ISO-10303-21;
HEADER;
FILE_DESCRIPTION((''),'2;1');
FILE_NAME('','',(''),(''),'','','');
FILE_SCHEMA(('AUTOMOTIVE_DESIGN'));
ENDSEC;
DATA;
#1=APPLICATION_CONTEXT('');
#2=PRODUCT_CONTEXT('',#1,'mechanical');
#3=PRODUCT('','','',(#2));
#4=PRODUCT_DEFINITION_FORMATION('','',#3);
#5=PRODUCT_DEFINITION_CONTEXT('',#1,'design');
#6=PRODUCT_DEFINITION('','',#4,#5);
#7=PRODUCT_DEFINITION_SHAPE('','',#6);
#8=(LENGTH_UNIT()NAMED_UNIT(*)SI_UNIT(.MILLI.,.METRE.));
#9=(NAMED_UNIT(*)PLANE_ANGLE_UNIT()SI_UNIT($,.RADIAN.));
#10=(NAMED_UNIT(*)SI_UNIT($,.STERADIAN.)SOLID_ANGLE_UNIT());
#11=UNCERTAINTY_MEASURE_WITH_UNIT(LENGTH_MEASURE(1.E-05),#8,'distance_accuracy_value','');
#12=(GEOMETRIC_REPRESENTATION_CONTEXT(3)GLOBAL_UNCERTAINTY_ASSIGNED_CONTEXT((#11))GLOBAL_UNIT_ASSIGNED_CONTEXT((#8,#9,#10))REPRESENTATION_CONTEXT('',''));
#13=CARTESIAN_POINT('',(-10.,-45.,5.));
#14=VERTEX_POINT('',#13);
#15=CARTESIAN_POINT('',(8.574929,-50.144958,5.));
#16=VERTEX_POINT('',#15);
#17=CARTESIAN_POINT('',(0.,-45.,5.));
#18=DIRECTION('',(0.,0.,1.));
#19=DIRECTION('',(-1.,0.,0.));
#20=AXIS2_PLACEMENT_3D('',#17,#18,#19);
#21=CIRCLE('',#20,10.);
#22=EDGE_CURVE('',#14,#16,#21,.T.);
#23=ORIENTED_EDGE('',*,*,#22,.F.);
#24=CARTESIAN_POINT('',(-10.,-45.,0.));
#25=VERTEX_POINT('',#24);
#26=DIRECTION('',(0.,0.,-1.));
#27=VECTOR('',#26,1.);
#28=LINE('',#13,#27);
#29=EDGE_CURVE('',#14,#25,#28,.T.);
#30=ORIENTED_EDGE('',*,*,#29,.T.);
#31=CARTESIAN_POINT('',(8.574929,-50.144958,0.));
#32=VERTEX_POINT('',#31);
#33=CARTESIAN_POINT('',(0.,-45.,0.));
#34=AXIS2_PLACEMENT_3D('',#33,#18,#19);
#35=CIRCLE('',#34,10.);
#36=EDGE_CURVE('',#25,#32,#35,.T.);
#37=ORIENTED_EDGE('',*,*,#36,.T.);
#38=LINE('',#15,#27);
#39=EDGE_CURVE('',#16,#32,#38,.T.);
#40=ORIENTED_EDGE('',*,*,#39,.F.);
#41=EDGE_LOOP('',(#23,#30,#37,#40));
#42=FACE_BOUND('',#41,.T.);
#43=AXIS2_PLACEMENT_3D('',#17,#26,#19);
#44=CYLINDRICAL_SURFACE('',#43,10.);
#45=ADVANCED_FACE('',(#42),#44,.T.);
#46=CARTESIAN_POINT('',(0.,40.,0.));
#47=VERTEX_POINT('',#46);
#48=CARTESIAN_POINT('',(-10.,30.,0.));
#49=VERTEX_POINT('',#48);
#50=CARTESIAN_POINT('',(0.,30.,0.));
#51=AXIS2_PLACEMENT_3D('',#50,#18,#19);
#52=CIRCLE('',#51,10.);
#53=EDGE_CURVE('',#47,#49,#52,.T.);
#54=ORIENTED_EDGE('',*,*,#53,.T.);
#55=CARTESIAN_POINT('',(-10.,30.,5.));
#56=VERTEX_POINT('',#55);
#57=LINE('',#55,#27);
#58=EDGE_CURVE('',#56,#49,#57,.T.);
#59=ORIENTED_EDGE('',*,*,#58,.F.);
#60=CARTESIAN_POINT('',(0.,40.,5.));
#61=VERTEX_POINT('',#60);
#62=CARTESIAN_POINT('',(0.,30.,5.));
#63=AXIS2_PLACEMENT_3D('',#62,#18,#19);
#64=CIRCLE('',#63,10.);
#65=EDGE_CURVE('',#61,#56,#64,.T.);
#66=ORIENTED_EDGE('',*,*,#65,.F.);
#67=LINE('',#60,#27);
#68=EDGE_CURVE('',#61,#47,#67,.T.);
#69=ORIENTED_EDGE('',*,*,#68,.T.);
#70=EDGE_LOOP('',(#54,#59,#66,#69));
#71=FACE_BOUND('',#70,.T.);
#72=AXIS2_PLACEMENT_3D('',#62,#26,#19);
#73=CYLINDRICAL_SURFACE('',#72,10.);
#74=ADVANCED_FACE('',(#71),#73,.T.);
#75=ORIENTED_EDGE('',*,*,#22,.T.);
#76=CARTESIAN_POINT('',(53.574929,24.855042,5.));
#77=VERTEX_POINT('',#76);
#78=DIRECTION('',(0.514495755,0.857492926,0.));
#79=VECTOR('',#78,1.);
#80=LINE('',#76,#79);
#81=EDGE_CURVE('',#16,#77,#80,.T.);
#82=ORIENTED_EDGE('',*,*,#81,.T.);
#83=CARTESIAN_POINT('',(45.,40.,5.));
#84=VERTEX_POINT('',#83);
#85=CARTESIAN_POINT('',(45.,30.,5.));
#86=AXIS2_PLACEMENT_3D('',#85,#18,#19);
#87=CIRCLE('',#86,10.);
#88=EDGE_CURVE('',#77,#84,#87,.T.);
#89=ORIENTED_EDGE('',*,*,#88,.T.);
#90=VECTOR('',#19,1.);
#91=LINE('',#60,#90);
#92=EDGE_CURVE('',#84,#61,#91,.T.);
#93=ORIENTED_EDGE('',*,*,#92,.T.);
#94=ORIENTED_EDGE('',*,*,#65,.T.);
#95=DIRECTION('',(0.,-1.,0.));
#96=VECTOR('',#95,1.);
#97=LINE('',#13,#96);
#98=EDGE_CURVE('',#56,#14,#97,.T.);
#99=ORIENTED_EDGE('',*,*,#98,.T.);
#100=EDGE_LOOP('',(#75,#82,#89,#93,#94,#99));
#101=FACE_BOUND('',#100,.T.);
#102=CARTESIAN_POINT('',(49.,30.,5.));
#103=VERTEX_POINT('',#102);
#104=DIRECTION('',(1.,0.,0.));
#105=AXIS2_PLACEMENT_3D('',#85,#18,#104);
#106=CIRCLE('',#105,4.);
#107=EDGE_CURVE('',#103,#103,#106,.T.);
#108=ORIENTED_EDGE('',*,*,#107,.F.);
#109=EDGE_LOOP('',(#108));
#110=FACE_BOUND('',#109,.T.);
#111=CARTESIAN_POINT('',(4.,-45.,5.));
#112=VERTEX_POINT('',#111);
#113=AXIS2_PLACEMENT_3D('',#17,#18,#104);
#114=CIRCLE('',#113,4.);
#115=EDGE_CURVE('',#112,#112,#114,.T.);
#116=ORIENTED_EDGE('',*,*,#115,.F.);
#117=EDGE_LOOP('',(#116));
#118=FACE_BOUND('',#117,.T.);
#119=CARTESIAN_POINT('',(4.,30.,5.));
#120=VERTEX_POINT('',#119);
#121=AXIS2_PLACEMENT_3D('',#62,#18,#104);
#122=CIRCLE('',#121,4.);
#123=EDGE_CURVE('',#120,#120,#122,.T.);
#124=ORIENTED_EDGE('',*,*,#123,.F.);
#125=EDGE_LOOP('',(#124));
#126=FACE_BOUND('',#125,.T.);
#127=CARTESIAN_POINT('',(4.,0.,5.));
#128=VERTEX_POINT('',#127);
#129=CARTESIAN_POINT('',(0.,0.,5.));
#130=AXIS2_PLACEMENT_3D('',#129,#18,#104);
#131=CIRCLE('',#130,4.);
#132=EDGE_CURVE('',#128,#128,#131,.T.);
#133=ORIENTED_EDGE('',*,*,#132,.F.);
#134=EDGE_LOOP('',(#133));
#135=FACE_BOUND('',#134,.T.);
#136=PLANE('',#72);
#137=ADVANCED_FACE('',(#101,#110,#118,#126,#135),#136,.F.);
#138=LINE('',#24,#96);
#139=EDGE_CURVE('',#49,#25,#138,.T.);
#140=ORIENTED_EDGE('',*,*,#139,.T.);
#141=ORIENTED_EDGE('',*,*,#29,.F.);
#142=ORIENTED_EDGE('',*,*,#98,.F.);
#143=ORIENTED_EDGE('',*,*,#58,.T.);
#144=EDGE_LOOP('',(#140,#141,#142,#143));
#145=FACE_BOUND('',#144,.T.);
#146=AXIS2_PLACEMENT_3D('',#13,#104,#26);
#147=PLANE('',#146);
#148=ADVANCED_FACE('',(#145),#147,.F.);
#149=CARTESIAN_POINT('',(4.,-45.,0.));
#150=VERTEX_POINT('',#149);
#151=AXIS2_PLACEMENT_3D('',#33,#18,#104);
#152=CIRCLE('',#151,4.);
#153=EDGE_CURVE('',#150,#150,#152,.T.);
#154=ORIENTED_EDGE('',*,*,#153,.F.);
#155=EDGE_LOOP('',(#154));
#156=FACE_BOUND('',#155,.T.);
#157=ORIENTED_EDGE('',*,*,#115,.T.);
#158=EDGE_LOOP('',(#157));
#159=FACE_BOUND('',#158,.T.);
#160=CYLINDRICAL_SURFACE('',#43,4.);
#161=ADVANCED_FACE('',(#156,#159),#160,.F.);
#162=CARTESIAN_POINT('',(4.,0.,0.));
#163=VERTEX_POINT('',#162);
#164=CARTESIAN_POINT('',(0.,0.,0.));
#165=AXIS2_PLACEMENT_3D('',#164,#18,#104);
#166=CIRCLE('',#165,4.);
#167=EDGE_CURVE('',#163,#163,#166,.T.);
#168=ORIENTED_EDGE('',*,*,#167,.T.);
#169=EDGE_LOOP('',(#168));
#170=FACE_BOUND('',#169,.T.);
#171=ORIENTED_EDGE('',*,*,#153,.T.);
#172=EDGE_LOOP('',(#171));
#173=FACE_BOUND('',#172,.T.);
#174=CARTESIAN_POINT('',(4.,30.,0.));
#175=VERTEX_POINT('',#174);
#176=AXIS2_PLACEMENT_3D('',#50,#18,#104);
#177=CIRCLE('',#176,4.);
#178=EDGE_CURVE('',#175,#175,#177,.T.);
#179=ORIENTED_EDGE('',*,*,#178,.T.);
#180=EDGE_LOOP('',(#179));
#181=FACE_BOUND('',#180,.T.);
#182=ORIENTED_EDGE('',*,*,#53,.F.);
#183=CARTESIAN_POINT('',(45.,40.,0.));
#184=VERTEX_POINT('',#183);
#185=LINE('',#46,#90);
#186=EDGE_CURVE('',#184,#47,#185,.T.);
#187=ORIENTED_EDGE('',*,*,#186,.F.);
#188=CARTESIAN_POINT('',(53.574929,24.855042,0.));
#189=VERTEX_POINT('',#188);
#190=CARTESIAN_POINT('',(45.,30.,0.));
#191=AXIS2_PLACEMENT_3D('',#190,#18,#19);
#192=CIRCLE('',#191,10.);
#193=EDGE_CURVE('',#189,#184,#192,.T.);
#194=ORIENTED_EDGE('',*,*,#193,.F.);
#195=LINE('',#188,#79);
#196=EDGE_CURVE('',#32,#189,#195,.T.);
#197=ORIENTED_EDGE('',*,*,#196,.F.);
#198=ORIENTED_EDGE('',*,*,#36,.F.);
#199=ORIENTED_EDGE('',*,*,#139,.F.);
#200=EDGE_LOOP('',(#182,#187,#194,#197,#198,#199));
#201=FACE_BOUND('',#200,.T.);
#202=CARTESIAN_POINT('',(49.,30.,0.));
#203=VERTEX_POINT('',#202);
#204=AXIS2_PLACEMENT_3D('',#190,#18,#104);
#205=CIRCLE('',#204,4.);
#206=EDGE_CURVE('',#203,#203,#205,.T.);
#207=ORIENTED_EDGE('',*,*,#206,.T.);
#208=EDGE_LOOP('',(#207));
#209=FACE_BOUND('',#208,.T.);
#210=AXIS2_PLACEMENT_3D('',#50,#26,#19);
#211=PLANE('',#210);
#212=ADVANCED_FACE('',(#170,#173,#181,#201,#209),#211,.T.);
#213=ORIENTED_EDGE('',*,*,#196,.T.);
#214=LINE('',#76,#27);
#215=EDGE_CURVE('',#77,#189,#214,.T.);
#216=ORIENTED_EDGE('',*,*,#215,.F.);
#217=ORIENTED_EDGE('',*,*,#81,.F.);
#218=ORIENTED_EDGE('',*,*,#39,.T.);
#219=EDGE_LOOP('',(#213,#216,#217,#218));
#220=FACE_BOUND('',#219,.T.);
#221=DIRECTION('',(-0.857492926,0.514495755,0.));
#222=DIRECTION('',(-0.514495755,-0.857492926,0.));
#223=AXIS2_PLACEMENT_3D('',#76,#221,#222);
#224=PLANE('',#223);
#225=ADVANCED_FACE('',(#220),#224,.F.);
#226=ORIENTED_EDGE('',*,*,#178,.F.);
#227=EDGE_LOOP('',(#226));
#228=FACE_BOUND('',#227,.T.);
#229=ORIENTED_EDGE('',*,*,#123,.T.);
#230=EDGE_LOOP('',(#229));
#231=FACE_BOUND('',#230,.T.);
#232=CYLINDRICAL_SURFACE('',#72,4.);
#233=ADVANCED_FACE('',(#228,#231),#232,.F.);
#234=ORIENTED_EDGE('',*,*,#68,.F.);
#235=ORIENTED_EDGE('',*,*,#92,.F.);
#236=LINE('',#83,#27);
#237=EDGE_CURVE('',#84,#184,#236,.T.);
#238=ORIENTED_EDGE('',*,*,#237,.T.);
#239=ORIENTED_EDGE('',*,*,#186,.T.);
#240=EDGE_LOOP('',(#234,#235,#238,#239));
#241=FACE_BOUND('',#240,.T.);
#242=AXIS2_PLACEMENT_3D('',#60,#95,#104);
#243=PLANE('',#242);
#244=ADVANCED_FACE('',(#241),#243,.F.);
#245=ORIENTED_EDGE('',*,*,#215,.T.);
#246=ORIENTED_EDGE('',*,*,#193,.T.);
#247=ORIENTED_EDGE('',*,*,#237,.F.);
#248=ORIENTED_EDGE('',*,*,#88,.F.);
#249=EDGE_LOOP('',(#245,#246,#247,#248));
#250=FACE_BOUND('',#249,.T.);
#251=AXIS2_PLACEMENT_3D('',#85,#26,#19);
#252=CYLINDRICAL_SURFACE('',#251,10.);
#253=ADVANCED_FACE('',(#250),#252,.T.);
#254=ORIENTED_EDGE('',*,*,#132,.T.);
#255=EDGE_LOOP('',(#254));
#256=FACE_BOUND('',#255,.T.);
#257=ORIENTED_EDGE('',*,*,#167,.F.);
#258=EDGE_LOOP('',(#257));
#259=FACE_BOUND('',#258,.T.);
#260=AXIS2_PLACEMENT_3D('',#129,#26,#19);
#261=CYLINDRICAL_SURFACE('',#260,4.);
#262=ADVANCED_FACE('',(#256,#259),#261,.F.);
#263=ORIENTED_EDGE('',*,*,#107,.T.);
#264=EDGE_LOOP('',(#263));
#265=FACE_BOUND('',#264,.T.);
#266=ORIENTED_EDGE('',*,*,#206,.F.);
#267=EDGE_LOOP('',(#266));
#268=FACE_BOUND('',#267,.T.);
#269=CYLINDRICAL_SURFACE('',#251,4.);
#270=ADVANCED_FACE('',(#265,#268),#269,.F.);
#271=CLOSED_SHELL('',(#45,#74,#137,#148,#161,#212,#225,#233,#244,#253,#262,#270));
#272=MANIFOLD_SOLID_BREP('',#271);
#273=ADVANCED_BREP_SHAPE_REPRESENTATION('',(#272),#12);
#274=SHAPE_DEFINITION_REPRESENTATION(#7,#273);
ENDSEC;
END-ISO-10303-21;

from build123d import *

# Parameters (mm, degrees)
SKETCH1_R           = 4
BOSS_EXTRUDE1_DEPTH = 5


with BuildPart() as part:
    # Sketch1 → Boss-Extrude1 (new body)
    with BuildSketch(Plane.XY):
        with BuildLine():
            Line((-10, -45), (-10, 30))
            ThreePointArc((-10, 30), (-7.071067812, 37.071067812), (0, 40))
            Line((0, 40), (45, 40))
            ThreePointArc((45, 40), (53.701999068, 34.92698815), (53.574929257, 24.855042446))
            Line((53.574929257, 24.855042446), (8.574929257, -50.144957554))
            ThreePointArc((8.574929257, -50.144957554), (-2.669335819, -54.637149282), (-10, -45))
        make_face()
        Circle(SKETCH1_R, mode=Mode.SUBTRACT)
        with Locations((0, -45)):
            Circle(SKETCH1_R, mode=Mode.SUBTRACT)
        with Locations((0, 30)):
            Circle(SKETCH1_R, mode=Mode.SUBTRACT)
        with Locations((45, 30)):
            Circle(SKETCH1_R, mode=Mode.SUBTRACT)
    extrude(amount=BOSS_EXTRUDE1_DEPTH)


solid = part.part
